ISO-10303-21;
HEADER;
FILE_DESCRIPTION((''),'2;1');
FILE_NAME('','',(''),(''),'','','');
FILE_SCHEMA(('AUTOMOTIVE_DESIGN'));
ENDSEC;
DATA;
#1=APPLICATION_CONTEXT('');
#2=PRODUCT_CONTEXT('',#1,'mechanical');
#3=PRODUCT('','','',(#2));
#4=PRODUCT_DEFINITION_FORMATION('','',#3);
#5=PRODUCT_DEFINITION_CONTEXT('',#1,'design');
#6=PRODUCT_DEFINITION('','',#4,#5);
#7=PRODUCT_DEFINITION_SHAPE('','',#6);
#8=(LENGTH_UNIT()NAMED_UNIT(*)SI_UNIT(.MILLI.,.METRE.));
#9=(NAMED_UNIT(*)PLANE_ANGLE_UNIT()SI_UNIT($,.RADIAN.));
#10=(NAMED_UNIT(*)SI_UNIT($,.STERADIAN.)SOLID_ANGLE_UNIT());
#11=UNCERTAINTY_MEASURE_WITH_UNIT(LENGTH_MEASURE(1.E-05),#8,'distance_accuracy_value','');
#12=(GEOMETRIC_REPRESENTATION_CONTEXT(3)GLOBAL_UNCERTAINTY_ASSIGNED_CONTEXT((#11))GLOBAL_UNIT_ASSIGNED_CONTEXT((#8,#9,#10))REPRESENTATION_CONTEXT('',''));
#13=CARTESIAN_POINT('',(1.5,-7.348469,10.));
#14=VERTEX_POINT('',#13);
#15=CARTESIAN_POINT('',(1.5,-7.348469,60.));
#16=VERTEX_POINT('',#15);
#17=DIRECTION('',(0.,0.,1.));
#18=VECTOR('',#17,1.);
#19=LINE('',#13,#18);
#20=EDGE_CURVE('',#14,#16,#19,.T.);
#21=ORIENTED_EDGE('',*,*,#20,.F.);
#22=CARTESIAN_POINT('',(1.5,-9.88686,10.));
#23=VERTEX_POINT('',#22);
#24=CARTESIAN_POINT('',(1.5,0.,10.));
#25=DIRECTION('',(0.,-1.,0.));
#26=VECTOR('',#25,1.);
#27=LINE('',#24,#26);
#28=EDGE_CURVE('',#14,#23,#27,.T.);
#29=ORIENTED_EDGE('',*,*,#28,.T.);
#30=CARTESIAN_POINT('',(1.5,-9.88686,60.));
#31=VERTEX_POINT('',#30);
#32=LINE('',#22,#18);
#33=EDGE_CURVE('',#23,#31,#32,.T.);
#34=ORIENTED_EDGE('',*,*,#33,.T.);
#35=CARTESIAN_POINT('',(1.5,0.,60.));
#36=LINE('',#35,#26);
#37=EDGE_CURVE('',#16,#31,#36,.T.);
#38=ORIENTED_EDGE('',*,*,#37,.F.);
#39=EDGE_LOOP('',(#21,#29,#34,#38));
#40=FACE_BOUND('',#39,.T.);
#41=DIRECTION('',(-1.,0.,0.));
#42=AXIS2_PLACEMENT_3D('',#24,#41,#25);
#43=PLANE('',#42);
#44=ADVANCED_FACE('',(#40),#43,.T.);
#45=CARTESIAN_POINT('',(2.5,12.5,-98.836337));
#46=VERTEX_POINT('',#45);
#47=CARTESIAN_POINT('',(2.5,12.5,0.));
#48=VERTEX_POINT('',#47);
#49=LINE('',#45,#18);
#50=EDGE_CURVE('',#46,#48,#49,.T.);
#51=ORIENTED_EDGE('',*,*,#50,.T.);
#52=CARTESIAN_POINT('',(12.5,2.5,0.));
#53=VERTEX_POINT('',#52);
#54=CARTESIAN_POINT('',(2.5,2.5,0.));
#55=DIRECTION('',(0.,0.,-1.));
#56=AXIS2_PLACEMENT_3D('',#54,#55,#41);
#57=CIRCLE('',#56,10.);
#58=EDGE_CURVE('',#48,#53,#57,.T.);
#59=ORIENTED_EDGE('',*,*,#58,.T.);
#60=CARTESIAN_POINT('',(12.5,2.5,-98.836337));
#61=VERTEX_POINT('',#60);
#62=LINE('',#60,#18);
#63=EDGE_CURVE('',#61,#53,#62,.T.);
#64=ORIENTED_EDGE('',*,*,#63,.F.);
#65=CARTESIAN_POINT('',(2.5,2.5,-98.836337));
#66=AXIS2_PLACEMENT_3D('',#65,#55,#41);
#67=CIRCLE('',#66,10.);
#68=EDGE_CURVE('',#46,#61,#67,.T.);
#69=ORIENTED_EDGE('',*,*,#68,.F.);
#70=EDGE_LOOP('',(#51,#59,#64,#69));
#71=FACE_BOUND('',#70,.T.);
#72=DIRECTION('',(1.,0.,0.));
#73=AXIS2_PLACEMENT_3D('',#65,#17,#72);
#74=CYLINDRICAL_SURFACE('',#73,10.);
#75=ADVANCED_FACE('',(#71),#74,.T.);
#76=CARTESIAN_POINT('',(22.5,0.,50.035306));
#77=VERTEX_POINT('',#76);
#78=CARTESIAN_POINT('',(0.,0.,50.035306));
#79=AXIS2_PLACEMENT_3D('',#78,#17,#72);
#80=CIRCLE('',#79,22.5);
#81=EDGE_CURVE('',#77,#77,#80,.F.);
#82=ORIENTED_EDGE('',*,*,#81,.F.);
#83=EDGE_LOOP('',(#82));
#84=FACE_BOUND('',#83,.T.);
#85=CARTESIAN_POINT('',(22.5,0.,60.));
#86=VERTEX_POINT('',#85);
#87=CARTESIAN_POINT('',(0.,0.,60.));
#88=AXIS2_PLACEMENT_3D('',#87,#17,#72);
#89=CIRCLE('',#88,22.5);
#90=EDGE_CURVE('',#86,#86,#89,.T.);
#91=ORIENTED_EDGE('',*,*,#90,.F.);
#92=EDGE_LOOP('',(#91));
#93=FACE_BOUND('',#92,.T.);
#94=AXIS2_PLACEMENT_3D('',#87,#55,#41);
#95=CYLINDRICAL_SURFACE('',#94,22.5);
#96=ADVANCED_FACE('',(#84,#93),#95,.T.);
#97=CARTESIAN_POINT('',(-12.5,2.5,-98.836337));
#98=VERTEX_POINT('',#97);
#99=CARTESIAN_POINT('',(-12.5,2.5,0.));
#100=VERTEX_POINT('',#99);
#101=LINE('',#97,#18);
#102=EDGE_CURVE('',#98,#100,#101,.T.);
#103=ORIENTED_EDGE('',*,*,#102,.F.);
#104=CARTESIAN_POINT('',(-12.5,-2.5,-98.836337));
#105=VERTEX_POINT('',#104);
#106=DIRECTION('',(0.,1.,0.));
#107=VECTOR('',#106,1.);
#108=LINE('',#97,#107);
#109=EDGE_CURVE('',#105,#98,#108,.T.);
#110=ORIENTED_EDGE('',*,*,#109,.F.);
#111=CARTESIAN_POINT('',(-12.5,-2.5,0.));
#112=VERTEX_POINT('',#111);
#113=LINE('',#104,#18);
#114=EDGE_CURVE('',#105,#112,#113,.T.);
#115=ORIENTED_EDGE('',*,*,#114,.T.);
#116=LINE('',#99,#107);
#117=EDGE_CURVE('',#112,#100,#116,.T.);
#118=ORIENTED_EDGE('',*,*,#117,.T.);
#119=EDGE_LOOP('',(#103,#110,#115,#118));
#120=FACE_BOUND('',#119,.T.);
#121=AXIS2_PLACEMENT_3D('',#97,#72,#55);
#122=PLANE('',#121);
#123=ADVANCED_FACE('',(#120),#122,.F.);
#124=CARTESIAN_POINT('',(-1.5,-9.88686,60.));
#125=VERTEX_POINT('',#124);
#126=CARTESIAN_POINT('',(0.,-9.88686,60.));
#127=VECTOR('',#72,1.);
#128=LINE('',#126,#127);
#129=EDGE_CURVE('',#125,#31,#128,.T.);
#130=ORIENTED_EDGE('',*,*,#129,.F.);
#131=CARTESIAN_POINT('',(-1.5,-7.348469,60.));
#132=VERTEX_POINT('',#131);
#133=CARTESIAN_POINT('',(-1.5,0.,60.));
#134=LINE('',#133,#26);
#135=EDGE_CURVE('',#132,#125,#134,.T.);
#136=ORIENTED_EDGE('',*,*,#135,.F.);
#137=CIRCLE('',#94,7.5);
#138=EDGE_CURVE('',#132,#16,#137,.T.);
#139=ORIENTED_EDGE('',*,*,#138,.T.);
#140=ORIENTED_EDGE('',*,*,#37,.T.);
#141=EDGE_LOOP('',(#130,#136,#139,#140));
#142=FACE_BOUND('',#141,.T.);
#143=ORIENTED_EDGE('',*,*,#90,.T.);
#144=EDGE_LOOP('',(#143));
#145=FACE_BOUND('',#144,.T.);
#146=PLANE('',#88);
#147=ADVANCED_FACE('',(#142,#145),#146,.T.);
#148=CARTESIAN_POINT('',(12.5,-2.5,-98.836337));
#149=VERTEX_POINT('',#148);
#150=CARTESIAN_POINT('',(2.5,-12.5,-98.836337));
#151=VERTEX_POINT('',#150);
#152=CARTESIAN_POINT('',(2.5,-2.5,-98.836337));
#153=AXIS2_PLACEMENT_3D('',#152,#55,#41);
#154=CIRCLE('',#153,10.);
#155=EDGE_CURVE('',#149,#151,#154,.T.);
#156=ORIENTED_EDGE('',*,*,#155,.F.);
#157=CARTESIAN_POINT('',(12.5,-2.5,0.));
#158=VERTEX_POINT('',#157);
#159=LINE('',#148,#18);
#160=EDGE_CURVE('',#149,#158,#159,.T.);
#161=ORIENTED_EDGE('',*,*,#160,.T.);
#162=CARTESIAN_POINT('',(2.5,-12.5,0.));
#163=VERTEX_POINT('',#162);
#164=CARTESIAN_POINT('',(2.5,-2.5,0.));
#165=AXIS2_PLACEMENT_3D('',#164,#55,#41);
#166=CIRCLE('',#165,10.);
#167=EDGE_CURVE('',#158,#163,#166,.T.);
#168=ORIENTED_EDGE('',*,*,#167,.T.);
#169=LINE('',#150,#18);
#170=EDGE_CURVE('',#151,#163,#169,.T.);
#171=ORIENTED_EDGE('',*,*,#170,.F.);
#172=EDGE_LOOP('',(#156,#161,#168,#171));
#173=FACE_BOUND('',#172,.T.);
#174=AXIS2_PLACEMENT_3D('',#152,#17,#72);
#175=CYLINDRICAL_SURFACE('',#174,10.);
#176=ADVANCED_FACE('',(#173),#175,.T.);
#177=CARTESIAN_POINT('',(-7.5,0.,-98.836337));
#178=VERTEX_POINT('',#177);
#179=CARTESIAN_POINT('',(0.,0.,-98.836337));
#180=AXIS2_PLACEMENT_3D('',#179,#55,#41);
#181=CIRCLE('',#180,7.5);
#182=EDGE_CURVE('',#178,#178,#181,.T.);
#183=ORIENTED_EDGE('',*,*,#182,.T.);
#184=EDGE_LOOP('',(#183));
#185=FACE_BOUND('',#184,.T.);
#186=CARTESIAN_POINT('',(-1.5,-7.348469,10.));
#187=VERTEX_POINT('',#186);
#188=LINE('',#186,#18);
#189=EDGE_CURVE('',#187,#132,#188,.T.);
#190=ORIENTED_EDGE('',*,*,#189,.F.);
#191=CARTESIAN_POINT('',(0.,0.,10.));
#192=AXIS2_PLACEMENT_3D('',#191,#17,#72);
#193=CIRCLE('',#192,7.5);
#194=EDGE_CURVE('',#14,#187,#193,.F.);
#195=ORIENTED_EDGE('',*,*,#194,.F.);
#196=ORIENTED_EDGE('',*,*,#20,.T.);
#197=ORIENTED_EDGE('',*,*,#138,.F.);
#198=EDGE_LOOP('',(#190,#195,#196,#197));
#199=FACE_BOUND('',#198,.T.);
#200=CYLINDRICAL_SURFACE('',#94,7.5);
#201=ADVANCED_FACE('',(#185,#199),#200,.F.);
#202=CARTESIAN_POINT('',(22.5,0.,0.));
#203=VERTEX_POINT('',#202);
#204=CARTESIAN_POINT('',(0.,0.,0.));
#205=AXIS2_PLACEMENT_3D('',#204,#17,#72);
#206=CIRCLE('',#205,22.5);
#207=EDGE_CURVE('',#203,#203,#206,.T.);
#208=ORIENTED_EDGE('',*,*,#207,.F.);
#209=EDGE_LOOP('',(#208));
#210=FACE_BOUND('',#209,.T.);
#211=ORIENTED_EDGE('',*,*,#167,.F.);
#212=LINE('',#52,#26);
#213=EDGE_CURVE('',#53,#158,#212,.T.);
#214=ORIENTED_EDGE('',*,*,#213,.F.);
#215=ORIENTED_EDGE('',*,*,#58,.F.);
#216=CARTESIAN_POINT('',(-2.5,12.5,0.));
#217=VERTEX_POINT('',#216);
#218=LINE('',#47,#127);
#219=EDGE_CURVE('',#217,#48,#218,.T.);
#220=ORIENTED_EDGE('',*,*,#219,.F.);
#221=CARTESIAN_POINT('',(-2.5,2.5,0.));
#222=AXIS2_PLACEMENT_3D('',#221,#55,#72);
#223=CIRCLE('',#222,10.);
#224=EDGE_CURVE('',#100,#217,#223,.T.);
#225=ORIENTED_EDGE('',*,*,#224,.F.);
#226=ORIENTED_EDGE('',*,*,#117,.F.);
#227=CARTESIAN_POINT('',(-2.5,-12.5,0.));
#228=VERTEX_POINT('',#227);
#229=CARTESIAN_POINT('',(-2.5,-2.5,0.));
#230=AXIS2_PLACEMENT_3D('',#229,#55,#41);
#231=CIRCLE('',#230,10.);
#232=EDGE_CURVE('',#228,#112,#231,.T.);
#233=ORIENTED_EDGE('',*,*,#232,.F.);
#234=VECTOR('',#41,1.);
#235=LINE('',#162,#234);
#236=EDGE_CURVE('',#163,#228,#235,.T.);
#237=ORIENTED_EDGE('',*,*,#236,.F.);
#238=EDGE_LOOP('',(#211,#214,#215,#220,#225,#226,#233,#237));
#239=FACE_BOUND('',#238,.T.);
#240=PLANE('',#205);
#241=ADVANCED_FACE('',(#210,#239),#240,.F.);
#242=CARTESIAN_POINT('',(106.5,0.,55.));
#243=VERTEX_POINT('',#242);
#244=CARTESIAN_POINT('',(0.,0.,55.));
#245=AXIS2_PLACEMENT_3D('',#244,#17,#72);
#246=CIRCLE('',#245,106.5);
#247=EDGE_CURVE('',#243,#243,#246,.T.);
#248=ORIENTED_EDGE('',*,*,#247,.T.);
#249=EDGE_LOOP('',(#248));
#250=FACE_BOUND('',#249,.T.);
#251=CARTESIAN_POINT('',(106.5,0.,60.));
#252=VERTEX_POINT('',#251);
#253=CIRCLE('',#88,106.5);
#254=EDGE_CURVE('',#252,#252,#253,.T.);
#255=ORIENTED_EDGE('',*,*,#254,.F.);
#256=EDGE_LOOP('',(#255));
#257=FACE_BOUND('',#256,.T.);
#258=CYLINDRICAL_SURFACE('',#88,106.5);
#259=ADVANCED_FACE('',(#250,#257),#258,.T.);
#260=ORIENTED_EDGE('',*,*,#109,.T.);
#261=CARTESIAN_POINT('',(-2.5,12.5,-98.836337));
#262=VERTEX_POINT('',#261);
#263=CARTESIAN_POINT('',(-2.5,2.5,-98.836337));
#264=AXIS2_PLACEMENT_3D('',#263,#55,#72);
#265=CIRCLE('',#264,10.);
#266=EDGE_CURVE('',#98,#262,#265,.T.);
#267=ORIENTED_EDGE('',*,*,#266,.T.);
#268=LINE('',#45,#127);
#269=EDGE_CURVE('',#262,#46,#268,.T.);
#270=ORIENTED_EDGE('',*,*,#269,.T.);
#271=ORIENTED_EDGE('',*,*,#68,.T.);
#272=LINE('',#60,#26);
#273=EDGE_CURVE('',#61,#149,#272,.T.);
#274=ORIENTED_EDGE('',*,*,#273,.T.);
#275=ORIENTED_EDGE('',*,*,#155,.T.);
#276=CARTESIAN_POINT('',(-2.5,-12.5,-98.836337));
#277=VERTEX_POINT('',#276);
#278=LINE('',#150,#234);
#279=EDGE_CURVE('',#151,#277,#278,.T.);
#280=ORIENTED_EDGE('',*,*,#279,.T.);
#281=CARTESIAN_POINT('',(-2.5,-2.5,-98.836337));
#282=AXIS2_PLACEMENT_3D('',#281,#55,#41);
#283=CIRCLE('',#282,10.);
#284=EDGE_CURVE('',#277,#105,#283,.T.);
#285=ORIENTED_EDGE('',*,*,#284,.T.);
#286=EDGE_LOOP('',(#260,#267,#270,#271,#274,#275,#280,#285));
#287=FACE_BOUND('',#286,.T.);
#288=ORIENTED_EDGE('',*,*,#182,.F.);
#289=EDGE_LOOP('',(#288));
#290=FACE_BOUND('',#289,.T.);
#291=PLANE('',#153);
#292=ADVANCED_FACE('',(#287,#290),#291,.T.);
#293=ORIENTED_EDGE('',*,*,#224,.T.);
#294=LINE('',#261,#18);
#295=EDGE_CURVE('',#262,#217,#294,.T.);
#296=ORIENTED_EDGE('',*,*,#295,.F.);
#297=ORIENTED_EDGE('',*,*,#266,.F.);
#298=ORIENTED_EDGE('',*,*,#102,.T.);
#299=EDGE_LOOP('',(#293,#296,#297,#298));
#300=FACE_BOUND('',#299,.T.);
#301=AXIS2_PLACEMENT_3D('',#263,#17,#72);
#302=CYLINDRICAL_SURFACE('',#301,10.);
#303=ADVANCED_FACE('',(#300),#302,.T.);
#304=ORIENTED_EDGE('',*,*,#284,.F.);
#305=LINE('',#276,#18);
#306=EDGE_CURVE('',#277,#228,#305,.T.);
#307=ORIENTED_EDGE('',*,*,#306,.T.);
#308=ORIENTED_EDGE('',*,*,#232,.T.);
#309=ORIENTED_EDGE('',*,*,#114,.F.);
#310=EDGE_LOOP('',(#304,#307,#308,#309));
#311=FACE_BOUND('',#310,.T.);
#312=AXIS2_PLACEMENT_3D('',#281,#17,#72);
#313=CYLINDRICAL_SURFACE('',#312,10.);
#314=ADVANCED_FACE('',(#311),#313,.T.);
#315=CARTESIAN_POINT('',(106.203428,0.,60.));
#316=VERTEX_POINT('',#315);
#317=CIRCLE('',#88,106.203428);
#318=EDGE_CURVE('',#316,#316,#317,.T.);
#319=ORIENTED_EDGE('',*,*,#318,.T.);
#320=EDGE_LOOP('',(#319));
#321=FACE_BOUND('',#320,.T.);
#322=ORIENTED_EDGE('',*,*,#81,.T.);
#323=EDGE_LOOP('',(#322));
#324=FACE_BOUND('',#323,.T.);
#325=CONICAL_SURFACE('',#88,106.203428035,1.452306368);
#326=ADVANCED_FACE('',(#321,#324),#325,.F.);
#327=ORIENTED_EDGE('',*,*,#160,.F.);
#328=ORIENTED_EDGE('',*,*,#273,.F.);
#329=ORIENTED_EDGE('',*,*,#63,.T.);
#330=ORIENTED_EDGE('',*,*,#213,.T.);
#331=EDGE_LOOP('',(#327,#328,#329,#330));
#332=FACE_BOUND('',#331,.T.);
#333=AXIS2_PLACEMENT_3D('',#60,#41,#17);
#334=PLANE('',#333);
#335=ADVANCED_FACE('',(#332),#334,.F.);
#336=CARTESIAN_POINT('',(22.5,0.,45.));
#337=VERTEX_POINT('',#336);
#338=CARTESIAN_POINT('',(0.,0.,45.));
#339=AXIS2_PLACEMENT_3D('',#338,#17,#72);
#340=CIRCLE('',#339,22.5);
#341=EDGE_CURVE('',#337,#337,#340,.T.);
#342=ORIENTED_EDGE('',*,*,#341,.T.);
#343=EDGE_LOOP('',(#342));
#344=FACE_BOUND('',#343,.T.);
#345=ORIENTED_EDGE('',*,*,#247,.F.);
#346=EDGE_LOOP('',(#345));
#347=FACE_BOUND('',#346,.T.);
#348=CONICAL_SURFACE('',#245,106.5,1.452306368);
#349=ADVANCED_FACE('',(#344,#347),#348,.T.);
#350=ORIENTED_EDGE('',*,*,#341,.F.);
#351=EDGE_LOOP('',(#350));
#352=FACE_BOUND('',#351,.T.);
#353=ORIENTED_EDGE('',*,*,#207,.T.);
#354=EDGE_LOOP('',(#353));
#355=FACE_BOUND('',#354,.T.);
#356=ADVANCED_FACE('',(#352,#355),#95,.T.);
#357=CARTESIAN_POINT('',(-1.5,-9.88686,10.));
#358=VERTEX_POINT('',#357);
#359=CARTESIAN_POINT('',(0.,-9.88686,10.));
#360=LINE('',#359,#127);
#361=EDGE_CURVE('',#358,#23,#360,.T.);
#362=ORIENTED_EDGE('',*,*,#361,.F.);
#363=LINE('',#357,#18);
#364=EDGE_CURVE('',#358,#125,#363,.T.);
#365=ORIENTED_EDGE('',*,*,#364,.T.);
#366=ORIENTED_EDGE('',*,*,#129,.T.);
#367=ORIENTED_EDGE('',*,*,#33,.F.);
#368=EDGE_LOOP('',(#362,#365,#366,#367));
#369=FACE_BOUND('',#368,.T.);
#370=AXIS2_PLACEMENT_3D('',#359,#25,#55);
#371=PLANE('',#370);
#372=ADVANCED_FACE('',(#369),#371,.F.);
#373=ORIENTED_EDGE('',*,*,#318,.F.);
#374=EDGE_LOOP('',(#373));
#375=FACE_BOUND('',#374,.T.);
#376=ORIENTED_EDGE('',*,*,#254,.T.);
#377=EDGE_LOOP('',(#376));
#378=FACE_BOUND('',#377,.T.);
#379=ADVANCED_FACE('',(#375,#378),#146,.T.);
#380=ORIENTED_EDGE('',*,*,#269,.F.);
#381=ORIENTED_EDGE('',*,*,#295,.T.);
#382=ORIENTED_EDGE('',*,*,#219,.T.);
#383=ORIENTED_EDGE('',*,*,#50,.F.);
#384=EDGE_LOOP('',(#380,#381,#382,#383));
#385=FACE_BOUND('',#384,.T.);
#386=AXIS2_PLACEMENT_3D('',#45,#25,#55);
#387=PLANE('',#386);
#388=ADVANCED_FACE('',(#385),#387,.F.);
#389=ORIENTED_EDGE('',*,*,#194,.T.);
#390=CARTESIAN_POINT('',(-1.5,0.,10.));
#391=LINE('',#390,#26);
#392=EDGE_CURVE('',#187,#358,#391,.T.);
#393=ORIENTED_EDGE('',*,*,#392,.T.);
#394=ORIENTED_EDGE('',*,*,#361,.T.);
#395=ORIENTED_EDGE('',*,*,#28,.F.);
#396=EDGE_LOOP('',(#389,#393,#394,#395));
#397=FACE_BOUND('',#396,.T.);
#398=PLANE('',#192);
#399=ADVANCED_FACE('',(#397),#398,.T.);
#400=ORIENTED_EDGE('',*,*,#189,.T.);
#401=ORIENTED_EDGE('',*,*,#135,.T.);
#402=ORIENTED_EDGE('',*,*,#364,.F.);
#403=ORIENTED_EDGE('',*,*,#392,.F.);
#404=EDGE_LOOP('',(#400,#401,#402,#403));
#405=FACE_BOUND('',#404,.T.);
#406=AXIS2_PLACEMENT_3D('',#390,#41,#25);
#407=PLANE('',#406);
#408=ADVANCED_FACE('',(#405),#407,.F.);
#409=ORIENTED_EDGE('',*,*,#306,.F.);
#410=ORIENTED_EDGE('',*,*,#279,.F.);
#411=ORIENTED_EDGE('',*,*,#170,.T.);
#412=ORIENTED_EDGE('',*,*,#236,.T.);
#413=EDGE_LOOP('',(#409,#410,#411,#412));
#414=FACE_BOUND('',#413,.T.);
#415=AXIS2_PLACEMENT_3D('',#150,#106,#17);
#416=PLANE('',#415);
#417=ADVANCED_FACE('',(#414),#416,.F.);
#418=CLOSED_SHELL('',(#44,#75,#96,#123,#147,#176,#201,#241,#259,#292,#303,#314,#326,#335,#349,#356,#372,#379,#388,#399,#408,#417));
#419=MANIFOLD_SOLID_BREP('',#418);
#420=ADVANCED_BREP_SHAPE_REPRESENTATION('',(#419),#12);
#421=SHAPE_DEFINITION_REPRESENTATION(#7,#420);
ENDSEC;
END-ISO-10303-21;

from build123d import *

# Parameters (mm, degrees)
SKETCH1_R           = 22.5
BOSS_EXTRUDE1_DEPTH = 60
BOSS_EXTRUDE2_DEPTH = 98.836337037
SKETCH6_R           = 7.5
CUT_EXTRUDE1_DEPTH  = 159.836337037
CUT_EXTRUDE2_DEPTH  = 50


with BuildPart() as part:
    # Sketch1 → Boss-Extrude1 (new body)
    with BuildSketch(Plane.XY):
        Circle(SKETCH1_R)
    extrude(amount=BOSS_EXTRUDE1_DEPTH)

    # Sketch4 → Boss-Extrude2 (add)
    with BuildSketch(Plane(origin=(0, 0, 0), x_dir=(-1, 0, 0), z_dir=(0, 0, -1))):
        with BuildLine():
            Line((-2.5, 12.5), (2.5, 12.5))
            ThreePointArc((2.5, 12.5), (9.571067812, 9.571067812), (12.5, 2.5))
            Line((12.5, 2.5), (12.5, -2.5))
            ThreePointArc((12.5, -2.5), (9.571067812, -9.571067812), (2.5, -12.5))
            Line((2.5, -12.5), (-2.5, -12.5))
            ThreePointArc((-2.5, -12.5), (-9.571067812, -9.571067812), (-12.5, -2.5))
            Line((-12.5, -2.5), (-12.5, 2.5))
            ThreePointArc((-12.5, 2.5), (-9.571067812, 9.571067812), (-2.5, 12.5))
        make_face()
    extrude(amount=BOSS_EXTRUDE2_DEPTH)

    # Sketch5 → Revolve1 (revolve)
    with BuildSketch(Plane(origin=(0, 0, 0), x_dir=(0, 0, -1), z_dir=(1, 0, 0))):
        Polygon((-60, 106.5), (-60, 106.203428035), (-50.035306186, 22.5), (-45, 22.5), (-55, 106.5), align=None)
    revolve(axis=Axis((0, 0, 60), (0, 0, -1)))

    # Sketch6 → Cut-Extrude1 (cut, through all)
    with BuildSketch(Plane(origin=(0, 0, -98.836337037), x_dir=(-1, 0, 0), z_dir=(0, 0, -1))):
        Circle(SKETCH6_R)
    extrude(amount=-CUT_EXTRUDE1_DEPTH, mode=Mode.SUBTRACT)

    # Sketch7 → Cut-Extrude2 (cut)
    with BuildSketch(Plane.XY.offset(60)):
        with BuildLine():
            ThreePointArc((1.5, -7.348469228), (0, -7.5), (-1.5, -7.348469228))
            Line((-1.5, -7.348469228), (-1.5, -9.886859967))
            Line((-1.5, -9.886859967), (1.5, -9.886859967))
            Line((1.5, -9.886859967), (1.5, -7.348469228))
        make_face()
    extrude(amount=-CUT_EXTRUDE2_DEPTH, mode=Mode.SUBTRACT)


solid = part.part
